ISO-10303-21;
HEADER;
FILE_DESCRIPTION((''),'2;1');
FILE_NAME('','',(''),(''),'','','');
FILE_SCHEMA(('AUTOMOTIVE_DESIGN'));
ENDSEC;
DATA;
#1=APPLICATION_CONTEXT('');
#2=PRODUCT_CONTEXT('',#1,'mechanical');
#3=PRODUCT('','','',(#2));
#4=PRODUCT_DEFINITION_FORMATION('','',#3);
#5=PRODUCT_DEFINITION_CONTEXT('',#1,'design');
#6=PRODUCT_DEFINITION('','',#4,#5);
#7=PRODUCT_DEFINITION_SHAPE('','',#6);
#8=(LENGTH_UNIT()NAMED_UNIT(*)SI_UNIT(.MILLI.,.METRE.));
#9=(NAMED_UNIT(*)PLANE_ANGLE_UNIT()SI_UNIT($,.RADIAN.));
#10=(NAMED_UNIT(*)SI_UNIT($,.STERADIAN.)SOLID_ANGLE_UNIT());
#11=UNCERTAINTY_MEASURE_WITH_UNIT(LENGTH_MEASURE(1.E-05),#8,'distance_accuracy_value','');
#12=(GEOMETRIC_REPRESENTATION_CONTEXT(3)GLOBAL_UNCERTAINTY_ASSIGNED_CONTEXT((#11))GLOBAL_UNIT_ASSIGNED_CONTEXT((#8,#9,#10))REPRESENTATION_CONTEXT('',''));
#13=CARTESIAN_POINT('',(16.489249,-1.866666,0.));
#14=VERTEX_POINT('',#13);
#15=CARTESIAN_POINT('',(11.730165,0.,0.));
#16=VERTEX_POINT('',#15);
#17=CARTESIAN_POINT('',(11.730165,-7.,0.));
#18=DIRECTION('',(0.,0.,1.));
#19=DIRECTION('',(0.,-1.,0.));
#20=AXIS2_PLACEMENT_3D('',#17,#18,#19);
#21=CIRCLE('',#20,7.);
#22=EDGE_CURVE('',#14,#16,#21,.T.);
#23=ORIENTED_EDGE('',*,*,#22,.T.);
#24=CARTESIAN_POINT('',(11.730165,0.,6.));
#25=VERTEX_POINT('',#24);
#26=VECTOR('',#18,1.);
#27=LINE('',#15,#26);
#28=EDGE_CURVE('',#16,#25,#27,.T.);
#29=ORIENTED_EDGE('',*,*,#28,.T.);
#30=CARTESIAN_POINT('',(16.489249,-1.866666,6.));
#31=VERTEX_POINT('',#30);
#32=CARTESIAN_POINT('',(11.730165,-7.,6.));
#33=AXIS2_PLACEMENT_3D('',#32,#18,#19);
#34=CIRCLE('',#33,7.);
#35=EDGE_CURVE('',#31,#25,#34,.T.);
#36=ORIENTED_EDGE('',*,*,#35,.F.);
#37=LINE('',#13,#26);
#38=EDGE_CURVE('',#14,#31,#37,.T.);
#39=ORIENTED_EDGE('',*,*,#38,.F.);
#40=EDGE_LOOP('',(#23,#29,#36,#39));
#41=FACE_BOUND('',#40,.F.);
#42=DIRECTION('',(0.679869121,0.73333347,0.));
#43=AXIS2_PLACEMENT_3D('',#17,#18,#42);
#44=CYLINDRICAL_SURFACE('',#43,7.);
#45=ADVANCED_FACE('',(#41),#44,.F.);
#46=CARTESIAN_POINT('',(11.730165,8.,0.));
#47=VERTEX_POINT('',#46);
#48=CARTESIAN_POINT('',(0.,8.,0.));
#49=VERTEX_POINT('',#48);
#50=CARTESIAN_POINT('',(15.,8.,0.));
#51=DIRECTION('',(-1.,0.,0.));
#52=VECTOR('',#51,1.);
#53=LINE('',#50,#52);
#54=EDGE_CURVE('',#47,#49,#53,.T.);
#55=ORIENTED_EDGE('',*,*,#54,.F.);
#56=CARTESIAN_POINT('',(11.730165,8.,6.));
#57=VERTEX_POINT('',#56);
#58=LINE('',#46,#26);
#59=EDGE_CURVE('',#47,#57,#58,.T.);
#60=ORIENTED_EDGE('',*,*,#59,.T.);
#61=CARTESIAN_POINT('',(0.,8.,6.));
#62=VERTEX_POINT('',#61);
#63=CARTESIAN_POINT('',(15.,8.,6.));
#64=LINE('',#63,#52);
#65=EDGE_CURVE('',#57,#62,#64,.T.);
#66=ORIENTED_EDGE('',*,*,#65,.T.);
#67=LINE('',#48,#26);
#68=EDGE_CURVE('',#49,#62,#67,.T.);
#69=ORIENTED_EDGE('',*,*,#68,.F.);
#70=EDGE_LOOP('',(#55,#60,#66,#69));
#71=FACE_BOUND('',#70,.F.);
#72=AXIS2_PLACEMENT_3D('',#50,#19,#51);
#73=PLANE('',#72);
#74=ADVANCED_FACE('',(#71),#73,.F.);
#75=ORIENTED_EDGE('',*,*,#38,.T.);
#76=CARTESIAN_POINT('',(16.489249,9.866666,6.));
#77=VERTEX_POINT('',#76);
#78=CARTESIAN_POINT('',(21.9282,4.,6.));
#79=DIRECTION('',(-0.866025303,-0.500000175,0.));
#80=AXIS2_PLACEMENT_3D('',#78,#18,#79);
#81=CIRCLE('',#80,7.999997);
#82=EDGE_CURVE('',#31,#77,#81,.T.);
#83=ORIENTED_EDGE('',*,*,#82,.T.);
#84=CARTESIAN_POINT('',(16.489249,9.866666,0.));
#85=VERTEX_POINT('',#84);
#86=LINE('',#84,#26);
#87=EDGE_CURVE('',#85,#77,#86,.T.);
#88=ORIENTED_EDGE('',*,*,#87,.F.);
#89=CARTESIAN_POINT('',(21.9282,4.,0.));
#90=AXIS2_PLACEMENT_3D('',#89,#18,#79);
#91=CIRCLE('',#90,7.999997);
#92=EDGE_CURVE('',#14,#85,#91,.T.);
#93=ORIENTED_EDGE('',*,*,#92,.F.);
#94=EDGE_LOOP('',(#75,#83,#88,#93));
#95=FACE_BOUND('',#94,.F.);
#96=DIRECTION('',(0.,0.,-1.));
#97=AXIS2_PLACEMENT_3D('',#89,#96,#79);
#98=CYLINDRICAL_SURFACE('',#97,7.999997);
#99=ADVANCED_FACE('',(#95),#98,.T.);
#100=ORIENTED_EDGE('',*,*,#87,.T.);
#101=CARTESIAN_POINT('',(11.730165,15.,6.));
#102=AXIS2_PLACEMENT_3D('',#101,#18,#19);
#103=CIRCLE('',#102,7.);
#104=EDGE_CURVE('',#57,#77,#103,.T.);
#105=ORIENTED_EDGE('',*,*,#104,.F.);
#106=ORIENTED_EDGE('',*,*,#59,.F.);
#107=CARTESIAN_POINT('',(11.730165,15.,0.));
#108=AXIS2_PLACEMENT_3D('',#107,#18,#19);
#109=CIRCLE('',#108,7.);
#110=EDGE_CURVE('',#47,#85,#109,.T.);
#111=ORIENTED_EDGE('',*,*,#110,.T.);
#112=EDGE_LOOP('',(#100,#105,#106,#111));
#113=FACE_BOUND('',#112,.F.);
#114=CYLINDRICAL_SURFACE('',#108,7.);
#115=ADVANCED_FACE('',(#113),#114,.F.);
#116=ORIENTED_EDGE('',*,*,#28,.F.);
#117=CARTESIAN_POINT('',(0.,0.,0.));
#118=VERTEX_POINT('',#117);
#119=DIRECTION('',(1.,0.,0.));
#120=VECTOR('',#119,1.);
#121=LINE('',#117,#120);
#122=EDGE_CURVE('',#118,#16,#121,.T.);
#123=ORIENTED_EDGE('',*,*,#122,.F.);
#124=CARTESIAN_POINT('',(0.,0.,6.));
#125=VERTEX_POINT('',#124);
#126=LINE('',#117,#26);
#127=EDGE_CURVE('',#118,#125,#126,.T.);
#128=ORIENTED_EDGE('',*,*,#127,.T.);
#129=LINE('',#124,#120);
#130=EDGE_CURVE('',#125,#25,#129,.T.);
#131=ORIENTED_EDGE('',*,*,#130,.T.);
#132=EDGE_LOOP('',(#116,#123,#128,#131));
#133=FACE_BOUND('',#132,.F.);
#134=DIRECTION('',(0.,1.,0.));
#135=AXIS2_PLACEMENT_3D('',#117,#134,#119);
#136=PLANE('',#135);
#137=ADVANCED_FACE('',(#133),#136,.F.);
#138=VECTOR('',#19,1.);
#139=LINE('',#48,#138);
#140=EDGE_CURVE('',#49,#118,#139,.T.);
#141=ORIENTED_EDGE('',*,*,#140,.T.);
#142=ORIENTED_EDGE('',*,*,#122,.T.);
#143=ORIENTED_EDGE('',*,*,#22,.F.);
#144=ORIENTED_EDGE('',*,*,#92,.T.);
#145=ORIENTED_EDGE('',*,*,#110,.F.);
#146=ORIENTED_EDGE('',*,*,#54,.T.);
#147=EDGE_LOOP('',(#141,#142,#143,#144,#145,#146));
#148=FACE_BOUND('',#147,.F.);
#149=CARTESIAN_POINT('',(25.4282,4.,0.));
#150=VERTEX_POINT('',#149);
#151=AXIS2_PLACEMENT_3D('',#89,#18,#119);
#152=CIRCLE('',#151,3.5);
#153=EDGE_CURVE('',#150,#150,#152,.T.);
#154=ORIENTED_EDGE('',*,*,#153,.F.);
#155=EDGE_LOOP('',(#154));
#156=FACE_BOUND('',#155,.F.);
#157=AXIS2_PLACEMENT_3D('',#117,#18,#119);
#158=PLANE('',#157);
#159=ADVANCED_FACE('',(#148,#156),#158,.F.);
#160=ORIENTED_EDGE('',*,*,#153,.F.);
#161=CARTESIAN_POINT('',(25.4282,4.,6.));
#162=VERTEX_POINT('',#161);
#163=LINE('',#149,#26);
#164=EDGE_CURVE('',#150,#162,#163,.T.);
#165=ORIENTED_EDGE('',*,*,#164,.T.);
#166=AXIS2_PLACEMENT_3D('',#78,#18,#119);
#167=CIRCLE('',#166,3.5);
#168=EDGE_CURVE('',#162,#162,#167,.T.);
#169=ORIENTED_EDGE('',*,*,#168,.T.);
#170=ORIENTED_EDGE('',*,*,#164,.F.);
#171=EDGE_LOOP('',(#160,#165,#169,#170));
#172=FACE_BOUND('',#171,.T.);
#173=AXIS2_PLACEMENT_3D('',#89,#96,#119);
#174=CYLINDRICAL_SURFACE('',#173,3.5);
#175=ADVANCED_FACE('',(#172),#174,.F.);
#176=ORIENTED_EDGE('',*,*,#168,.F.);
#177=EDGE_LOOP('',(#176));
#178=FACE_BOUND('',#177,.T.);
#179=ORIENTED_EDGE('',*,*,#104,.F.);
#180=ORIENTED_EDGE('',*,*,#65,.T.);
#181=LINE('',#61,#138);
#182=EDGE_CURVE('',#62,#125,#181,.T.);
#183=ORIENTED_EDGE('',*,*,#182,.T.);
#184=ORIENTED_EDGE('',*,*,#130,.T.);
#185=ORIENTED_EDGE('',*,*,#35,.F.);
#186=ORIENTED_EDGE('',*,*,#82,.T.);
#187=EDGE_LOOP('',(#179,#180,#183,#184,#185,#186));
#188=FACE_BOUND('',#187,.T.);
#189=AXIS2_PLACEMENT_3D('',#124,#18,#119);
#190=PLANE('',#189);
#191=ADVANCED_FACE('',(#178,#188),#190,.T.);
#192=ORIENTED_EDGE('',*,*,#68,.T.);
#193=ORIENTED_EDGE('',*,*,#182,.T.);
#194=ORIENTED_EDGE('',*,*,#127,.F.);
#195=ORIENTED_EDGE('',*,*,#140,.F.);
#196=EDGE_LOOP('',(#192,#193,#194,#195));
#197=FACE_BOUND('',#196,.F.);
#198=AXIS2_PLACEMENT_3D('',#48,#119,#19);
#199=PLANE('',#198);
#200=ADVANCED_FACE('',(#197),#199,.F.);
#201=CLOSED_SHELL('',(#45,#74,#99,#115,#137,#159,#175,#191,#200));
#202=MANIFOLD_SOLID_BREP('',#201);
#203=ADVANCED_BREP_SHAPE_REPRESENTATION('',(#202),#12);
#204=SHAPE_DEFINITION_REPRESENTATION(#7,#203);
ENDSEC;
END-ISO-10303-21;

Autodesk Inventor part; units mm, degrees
ref_plane "YZ Plane" through (0, 0, 0) normal (1, 0, 0) x (0, 1, 0)
ref_plane "XZ Plane" through (0, 0, 0) normal (0, 1, 0) x (-1, 0, 0)
ref_plane "XY Plane" through (0, 0, 0) normal (0, 0, 1) x (1, 0, 0)
sketch "Sketch1" plane through (0, 0, 0) normal (0, 0, 1) x (1, 0, 0)
  line L0 (0, 0) -> (15, 0)
  line L1 (15, 8) -> (0, 8)
  line L2 (0, 8) -> (0, 0)
  arc A0 (15, 0) -> (15, 8) centre (21.9282, 4) ccw
  circle A1 centre (21.9282, 4) radius 3.5
  dimension "d0" = 8
  dimension "d1" = 15
  dimension "d2" = 8
  dimension "d3" = 15
  dimension "d5" = 7
extrude "Extrusion1" add sketch "Sketch1" along normal blind 6
fillet "Fillet1" radius 7 2 edges at (15, 8, 3) (15, 0, 3)
equation "\"d3\" = d1"
properties part number "Anillo riel"
